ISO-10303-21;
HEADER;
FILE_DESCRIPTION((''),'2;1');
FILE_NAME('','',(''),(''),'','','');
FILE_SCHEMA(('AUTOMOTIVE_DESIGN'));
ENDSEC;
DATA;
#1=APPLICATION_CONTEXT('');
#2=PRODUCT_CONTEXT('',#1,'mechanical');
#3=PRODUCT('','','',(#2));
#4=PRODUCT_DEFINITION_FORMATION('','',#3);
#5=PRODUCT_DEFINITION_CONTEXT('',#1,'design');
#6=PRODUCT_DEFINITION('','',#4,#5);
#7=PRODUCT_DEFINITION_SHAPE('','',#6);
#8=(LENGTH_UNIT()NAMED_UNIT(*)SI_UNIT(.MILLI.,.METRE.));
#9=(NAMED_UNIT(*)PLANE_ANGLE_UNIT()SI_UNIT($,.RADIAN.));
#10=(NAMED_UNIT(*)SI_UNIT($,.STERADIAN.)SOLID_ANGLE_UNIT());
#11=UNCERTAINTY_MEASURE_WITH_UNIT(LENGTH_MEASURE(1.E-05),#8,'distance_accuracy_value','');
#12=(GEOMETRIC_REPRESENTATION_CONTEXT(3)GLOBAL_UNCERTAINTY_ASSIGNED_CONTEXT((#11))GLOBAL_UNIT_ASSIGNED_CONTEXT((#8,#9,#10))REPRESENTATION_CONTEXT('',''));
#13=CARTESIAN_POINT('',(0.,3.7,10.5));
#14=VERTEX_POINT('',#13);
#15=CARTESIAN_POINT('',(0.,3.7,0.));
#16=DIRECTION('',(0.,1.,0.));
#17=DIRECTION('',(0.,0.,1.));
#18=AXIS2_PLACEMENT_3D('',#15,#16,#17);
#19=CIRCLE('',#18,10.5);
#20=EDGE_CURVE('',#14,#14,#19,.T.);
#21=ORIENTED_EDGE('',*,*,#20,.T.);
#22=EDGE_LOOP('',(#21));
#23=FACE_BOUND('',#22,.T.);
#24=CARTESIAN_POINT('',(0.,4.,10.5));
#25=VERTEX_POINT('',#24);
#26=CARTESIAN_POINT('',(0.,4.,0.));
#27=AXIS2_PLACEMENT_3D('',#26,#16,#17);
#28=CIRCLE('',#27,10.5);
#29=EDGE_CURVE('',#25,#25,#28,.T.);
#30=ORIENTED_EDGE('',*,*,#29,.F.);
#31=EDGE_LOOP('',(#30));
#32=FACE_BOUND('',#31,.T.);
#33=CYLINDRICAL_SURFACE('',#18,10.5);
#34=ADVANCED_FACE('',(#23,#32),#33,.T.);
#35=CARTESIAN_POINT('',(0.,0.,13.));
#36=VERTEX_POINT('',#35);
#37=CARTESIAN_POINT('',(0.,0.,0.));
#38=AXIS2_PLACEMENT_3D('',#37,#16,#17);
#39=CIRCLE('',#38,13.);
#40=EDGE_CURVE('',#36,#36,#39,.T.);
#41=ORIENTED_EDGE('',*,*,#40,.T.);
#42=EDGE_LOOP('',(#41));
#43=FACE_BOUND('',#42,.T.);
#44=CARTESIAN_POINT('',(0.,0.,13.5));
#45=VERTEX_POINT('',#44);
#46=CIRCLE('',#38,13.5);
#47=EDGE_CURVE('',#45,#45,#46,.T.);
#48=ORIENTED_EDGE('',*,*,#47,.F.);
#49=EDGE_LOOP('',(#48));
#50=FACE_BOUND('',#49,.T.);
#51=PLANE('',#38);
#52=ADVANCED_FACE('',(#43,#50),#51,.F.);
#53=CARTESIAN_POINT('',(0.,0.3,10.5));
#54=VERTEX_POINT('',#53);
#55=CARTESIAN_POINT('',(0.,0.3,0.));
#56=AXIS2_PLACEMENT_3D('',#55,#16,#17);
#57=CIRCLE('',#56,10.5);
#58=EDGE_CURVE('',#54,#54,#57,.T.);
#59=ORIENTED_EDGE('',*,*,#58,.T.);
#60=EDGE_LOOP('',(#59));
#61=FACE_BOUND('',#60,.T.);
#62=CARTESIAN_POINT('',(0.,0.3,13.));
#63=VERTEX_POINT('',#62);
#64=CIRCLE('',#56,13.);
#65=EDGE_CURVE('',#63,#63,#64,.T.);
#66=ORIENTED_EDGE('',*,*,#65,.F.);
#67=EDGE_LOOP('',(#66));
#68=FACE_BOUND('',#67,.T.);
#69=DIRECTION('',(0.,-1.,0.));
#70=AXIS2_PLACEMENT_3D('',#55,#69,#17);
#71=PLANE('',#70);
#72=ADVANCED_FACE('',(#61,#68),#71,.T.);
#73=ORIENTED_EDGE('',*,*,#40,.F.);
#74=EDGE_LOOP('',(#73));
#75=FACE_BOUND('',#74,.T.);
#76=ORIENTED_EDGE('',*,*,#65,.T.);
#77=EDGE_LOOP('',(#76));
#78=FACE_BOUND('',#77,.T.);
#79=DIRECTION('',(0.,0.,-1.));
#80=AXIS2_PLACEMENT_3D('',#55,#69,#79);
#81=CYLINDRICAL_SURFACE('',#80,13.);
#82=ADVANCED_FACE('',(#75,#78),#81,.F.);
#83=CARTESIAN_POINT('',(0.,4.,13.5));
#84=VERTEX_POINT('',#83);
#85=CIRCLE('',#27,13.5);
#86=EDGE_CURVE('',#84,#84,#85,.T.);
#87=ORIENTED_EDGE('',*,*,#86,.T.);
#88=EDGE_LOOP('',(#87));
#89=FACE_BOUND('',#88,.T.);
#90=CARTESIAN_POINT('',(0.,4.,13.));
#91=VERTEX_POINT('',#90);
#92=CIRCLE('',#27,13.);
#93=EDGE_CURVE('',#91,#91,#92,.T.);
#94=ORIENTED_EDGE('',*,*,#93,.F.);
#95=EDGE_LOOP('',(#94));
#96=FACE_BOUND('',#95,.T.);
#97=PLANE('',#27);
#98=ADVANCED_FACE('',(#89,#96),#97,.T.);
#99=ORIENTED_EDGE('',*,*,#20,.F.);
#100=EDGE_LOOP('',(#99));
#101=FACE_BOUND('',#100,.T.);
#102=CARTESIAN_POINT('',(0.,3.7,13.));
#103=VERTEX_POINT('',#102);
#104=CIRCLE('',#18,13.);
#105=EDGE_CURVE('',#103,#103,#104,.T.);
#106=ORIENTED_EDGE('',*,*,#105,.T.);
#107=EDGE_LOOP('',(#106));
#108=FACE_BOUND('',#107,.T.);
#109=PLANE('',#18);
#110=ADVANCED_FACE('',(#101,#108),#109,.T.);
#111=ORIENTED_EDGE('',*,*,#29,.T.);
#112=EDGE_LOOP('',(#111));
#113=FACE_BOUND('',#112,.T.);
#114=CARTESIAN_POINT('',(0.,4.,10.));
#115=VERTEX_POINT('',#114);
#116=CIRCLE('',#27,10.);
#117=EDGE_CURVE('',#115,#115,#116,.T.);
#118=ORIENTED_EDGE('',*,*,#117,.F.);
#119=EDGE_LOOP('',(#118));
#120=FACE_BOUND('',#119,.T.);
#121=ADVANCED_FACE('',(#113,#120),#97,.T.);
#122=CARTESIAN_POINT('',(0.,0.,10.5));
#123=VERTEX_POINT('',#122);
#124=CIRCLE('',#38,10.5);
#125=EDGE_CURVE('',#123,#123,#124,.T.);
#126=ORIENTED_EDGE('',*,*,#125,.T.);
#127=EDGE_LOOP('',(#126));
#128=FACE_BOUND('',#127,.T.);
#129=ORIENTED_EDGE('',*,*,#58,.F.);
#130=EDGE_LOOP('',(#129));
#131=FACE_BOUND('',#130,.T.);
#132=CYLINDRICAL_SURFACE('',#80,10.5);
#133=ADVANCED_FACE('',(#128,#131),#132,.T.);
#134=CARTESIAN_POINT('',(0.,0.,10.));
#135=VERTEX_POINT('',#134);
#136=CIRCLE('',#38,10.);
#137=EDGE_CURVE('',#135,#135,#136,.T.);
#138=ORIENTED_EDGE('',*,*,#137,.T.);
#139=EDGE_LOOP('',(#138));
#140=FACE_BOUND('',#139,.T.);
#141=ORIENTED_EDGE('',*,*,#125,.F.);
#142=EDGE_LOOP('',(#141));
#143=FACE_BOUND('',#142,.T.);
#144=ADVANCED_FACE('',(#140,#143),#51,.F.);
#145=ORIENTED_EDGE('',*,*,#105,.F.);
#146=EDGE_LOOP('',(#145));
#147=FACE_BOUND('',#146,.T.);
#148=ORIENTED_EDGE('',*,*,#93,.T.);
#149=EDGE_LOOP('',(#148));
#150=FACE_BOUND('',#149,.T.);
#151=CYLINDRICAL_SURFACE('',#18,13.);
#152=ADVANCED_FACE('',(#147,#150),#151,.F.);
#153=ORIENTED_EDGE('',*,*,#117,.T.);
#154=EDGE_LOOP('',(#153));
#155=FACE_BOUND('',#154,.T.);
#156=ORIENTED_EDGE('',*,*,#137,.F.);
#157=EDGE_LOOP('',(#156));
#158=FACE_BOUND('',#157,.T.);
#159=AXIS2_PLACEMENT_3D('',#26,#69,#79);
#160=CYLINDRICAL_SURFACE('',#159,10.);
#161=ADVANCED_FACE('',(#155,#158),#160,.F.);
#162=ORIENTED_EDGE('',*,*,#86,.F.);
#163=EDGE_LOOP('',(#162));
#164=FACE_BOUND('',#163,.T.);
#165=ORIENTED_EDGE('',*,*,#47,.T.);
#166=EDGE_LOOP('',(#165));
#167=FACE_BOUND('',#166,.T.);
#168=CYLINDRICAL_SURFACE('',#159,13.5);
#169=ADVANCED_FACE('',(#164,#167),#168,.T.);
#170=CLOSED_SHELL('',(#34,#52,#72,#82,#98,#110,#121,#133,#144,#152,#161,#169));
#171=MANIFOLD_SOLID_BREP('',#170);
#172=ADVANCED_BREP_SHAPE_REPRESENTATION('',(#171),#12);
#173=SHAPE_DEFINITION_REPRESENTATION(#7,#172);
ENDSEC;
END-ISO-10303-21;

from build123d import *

# Parameters (mm, degrees)
SKETCH_1_R          = 13.5
SKETCH_1_R_2        = 10
EXTRUDE_1_DEPTH     = 4
SKETCH_2_R          = 13
SKETCH_2_R_2        = 10.5
CUT_EXTRUDE_1_DEPTH = 0.3


with BuildPart() as part:
    # 草图1 → 凸台-拉伸1 (new body)
    with BuildSketch(Plane(origin=(0, 0, 0), x_dir=(1, 0, 0), z_dir=(0, 1, 0))):
        with Locations(Location((0, 0, 0), (0, 0, 270))):
            Circle(SKETCH_1_R)
        with Locations(Location((0, 0, 0), (0, 0, 270))):
            Circle(SKETCH_1_R_2, mode=Mode.SUBTRACT)
    extrude(amount=EXTRUDE_1_DEPTH)

    # 草图2 → 切除-拉伸1 (cut)
    with BuildSketch(Plane(origin=(0, 4, 0), x_dir=(1, 0, 0), z_dir=(0, 1, 0))):
        with Locations(Location((0, 0, 0), (0, 0, 270))):
            Circle(SKETCH_2_R)
        with Locations(Location((0, 0, 0), (0, 0, 270))):
            Circle(SKETCH_2_R_2, mode=Mode.SUBTRACT)
    cut_extrude_1 = extrude(amount=-CUT_EXTRUDE_1_DEPTH, mode=Mode.SUBTRACT)

    # 镜向1: 切除-拉伸1 across plane
    add(cut_extrude_1.mirror(Plane.ZX.offset(2)), mode=Mode.SUBTRACT)


solid = part.part
